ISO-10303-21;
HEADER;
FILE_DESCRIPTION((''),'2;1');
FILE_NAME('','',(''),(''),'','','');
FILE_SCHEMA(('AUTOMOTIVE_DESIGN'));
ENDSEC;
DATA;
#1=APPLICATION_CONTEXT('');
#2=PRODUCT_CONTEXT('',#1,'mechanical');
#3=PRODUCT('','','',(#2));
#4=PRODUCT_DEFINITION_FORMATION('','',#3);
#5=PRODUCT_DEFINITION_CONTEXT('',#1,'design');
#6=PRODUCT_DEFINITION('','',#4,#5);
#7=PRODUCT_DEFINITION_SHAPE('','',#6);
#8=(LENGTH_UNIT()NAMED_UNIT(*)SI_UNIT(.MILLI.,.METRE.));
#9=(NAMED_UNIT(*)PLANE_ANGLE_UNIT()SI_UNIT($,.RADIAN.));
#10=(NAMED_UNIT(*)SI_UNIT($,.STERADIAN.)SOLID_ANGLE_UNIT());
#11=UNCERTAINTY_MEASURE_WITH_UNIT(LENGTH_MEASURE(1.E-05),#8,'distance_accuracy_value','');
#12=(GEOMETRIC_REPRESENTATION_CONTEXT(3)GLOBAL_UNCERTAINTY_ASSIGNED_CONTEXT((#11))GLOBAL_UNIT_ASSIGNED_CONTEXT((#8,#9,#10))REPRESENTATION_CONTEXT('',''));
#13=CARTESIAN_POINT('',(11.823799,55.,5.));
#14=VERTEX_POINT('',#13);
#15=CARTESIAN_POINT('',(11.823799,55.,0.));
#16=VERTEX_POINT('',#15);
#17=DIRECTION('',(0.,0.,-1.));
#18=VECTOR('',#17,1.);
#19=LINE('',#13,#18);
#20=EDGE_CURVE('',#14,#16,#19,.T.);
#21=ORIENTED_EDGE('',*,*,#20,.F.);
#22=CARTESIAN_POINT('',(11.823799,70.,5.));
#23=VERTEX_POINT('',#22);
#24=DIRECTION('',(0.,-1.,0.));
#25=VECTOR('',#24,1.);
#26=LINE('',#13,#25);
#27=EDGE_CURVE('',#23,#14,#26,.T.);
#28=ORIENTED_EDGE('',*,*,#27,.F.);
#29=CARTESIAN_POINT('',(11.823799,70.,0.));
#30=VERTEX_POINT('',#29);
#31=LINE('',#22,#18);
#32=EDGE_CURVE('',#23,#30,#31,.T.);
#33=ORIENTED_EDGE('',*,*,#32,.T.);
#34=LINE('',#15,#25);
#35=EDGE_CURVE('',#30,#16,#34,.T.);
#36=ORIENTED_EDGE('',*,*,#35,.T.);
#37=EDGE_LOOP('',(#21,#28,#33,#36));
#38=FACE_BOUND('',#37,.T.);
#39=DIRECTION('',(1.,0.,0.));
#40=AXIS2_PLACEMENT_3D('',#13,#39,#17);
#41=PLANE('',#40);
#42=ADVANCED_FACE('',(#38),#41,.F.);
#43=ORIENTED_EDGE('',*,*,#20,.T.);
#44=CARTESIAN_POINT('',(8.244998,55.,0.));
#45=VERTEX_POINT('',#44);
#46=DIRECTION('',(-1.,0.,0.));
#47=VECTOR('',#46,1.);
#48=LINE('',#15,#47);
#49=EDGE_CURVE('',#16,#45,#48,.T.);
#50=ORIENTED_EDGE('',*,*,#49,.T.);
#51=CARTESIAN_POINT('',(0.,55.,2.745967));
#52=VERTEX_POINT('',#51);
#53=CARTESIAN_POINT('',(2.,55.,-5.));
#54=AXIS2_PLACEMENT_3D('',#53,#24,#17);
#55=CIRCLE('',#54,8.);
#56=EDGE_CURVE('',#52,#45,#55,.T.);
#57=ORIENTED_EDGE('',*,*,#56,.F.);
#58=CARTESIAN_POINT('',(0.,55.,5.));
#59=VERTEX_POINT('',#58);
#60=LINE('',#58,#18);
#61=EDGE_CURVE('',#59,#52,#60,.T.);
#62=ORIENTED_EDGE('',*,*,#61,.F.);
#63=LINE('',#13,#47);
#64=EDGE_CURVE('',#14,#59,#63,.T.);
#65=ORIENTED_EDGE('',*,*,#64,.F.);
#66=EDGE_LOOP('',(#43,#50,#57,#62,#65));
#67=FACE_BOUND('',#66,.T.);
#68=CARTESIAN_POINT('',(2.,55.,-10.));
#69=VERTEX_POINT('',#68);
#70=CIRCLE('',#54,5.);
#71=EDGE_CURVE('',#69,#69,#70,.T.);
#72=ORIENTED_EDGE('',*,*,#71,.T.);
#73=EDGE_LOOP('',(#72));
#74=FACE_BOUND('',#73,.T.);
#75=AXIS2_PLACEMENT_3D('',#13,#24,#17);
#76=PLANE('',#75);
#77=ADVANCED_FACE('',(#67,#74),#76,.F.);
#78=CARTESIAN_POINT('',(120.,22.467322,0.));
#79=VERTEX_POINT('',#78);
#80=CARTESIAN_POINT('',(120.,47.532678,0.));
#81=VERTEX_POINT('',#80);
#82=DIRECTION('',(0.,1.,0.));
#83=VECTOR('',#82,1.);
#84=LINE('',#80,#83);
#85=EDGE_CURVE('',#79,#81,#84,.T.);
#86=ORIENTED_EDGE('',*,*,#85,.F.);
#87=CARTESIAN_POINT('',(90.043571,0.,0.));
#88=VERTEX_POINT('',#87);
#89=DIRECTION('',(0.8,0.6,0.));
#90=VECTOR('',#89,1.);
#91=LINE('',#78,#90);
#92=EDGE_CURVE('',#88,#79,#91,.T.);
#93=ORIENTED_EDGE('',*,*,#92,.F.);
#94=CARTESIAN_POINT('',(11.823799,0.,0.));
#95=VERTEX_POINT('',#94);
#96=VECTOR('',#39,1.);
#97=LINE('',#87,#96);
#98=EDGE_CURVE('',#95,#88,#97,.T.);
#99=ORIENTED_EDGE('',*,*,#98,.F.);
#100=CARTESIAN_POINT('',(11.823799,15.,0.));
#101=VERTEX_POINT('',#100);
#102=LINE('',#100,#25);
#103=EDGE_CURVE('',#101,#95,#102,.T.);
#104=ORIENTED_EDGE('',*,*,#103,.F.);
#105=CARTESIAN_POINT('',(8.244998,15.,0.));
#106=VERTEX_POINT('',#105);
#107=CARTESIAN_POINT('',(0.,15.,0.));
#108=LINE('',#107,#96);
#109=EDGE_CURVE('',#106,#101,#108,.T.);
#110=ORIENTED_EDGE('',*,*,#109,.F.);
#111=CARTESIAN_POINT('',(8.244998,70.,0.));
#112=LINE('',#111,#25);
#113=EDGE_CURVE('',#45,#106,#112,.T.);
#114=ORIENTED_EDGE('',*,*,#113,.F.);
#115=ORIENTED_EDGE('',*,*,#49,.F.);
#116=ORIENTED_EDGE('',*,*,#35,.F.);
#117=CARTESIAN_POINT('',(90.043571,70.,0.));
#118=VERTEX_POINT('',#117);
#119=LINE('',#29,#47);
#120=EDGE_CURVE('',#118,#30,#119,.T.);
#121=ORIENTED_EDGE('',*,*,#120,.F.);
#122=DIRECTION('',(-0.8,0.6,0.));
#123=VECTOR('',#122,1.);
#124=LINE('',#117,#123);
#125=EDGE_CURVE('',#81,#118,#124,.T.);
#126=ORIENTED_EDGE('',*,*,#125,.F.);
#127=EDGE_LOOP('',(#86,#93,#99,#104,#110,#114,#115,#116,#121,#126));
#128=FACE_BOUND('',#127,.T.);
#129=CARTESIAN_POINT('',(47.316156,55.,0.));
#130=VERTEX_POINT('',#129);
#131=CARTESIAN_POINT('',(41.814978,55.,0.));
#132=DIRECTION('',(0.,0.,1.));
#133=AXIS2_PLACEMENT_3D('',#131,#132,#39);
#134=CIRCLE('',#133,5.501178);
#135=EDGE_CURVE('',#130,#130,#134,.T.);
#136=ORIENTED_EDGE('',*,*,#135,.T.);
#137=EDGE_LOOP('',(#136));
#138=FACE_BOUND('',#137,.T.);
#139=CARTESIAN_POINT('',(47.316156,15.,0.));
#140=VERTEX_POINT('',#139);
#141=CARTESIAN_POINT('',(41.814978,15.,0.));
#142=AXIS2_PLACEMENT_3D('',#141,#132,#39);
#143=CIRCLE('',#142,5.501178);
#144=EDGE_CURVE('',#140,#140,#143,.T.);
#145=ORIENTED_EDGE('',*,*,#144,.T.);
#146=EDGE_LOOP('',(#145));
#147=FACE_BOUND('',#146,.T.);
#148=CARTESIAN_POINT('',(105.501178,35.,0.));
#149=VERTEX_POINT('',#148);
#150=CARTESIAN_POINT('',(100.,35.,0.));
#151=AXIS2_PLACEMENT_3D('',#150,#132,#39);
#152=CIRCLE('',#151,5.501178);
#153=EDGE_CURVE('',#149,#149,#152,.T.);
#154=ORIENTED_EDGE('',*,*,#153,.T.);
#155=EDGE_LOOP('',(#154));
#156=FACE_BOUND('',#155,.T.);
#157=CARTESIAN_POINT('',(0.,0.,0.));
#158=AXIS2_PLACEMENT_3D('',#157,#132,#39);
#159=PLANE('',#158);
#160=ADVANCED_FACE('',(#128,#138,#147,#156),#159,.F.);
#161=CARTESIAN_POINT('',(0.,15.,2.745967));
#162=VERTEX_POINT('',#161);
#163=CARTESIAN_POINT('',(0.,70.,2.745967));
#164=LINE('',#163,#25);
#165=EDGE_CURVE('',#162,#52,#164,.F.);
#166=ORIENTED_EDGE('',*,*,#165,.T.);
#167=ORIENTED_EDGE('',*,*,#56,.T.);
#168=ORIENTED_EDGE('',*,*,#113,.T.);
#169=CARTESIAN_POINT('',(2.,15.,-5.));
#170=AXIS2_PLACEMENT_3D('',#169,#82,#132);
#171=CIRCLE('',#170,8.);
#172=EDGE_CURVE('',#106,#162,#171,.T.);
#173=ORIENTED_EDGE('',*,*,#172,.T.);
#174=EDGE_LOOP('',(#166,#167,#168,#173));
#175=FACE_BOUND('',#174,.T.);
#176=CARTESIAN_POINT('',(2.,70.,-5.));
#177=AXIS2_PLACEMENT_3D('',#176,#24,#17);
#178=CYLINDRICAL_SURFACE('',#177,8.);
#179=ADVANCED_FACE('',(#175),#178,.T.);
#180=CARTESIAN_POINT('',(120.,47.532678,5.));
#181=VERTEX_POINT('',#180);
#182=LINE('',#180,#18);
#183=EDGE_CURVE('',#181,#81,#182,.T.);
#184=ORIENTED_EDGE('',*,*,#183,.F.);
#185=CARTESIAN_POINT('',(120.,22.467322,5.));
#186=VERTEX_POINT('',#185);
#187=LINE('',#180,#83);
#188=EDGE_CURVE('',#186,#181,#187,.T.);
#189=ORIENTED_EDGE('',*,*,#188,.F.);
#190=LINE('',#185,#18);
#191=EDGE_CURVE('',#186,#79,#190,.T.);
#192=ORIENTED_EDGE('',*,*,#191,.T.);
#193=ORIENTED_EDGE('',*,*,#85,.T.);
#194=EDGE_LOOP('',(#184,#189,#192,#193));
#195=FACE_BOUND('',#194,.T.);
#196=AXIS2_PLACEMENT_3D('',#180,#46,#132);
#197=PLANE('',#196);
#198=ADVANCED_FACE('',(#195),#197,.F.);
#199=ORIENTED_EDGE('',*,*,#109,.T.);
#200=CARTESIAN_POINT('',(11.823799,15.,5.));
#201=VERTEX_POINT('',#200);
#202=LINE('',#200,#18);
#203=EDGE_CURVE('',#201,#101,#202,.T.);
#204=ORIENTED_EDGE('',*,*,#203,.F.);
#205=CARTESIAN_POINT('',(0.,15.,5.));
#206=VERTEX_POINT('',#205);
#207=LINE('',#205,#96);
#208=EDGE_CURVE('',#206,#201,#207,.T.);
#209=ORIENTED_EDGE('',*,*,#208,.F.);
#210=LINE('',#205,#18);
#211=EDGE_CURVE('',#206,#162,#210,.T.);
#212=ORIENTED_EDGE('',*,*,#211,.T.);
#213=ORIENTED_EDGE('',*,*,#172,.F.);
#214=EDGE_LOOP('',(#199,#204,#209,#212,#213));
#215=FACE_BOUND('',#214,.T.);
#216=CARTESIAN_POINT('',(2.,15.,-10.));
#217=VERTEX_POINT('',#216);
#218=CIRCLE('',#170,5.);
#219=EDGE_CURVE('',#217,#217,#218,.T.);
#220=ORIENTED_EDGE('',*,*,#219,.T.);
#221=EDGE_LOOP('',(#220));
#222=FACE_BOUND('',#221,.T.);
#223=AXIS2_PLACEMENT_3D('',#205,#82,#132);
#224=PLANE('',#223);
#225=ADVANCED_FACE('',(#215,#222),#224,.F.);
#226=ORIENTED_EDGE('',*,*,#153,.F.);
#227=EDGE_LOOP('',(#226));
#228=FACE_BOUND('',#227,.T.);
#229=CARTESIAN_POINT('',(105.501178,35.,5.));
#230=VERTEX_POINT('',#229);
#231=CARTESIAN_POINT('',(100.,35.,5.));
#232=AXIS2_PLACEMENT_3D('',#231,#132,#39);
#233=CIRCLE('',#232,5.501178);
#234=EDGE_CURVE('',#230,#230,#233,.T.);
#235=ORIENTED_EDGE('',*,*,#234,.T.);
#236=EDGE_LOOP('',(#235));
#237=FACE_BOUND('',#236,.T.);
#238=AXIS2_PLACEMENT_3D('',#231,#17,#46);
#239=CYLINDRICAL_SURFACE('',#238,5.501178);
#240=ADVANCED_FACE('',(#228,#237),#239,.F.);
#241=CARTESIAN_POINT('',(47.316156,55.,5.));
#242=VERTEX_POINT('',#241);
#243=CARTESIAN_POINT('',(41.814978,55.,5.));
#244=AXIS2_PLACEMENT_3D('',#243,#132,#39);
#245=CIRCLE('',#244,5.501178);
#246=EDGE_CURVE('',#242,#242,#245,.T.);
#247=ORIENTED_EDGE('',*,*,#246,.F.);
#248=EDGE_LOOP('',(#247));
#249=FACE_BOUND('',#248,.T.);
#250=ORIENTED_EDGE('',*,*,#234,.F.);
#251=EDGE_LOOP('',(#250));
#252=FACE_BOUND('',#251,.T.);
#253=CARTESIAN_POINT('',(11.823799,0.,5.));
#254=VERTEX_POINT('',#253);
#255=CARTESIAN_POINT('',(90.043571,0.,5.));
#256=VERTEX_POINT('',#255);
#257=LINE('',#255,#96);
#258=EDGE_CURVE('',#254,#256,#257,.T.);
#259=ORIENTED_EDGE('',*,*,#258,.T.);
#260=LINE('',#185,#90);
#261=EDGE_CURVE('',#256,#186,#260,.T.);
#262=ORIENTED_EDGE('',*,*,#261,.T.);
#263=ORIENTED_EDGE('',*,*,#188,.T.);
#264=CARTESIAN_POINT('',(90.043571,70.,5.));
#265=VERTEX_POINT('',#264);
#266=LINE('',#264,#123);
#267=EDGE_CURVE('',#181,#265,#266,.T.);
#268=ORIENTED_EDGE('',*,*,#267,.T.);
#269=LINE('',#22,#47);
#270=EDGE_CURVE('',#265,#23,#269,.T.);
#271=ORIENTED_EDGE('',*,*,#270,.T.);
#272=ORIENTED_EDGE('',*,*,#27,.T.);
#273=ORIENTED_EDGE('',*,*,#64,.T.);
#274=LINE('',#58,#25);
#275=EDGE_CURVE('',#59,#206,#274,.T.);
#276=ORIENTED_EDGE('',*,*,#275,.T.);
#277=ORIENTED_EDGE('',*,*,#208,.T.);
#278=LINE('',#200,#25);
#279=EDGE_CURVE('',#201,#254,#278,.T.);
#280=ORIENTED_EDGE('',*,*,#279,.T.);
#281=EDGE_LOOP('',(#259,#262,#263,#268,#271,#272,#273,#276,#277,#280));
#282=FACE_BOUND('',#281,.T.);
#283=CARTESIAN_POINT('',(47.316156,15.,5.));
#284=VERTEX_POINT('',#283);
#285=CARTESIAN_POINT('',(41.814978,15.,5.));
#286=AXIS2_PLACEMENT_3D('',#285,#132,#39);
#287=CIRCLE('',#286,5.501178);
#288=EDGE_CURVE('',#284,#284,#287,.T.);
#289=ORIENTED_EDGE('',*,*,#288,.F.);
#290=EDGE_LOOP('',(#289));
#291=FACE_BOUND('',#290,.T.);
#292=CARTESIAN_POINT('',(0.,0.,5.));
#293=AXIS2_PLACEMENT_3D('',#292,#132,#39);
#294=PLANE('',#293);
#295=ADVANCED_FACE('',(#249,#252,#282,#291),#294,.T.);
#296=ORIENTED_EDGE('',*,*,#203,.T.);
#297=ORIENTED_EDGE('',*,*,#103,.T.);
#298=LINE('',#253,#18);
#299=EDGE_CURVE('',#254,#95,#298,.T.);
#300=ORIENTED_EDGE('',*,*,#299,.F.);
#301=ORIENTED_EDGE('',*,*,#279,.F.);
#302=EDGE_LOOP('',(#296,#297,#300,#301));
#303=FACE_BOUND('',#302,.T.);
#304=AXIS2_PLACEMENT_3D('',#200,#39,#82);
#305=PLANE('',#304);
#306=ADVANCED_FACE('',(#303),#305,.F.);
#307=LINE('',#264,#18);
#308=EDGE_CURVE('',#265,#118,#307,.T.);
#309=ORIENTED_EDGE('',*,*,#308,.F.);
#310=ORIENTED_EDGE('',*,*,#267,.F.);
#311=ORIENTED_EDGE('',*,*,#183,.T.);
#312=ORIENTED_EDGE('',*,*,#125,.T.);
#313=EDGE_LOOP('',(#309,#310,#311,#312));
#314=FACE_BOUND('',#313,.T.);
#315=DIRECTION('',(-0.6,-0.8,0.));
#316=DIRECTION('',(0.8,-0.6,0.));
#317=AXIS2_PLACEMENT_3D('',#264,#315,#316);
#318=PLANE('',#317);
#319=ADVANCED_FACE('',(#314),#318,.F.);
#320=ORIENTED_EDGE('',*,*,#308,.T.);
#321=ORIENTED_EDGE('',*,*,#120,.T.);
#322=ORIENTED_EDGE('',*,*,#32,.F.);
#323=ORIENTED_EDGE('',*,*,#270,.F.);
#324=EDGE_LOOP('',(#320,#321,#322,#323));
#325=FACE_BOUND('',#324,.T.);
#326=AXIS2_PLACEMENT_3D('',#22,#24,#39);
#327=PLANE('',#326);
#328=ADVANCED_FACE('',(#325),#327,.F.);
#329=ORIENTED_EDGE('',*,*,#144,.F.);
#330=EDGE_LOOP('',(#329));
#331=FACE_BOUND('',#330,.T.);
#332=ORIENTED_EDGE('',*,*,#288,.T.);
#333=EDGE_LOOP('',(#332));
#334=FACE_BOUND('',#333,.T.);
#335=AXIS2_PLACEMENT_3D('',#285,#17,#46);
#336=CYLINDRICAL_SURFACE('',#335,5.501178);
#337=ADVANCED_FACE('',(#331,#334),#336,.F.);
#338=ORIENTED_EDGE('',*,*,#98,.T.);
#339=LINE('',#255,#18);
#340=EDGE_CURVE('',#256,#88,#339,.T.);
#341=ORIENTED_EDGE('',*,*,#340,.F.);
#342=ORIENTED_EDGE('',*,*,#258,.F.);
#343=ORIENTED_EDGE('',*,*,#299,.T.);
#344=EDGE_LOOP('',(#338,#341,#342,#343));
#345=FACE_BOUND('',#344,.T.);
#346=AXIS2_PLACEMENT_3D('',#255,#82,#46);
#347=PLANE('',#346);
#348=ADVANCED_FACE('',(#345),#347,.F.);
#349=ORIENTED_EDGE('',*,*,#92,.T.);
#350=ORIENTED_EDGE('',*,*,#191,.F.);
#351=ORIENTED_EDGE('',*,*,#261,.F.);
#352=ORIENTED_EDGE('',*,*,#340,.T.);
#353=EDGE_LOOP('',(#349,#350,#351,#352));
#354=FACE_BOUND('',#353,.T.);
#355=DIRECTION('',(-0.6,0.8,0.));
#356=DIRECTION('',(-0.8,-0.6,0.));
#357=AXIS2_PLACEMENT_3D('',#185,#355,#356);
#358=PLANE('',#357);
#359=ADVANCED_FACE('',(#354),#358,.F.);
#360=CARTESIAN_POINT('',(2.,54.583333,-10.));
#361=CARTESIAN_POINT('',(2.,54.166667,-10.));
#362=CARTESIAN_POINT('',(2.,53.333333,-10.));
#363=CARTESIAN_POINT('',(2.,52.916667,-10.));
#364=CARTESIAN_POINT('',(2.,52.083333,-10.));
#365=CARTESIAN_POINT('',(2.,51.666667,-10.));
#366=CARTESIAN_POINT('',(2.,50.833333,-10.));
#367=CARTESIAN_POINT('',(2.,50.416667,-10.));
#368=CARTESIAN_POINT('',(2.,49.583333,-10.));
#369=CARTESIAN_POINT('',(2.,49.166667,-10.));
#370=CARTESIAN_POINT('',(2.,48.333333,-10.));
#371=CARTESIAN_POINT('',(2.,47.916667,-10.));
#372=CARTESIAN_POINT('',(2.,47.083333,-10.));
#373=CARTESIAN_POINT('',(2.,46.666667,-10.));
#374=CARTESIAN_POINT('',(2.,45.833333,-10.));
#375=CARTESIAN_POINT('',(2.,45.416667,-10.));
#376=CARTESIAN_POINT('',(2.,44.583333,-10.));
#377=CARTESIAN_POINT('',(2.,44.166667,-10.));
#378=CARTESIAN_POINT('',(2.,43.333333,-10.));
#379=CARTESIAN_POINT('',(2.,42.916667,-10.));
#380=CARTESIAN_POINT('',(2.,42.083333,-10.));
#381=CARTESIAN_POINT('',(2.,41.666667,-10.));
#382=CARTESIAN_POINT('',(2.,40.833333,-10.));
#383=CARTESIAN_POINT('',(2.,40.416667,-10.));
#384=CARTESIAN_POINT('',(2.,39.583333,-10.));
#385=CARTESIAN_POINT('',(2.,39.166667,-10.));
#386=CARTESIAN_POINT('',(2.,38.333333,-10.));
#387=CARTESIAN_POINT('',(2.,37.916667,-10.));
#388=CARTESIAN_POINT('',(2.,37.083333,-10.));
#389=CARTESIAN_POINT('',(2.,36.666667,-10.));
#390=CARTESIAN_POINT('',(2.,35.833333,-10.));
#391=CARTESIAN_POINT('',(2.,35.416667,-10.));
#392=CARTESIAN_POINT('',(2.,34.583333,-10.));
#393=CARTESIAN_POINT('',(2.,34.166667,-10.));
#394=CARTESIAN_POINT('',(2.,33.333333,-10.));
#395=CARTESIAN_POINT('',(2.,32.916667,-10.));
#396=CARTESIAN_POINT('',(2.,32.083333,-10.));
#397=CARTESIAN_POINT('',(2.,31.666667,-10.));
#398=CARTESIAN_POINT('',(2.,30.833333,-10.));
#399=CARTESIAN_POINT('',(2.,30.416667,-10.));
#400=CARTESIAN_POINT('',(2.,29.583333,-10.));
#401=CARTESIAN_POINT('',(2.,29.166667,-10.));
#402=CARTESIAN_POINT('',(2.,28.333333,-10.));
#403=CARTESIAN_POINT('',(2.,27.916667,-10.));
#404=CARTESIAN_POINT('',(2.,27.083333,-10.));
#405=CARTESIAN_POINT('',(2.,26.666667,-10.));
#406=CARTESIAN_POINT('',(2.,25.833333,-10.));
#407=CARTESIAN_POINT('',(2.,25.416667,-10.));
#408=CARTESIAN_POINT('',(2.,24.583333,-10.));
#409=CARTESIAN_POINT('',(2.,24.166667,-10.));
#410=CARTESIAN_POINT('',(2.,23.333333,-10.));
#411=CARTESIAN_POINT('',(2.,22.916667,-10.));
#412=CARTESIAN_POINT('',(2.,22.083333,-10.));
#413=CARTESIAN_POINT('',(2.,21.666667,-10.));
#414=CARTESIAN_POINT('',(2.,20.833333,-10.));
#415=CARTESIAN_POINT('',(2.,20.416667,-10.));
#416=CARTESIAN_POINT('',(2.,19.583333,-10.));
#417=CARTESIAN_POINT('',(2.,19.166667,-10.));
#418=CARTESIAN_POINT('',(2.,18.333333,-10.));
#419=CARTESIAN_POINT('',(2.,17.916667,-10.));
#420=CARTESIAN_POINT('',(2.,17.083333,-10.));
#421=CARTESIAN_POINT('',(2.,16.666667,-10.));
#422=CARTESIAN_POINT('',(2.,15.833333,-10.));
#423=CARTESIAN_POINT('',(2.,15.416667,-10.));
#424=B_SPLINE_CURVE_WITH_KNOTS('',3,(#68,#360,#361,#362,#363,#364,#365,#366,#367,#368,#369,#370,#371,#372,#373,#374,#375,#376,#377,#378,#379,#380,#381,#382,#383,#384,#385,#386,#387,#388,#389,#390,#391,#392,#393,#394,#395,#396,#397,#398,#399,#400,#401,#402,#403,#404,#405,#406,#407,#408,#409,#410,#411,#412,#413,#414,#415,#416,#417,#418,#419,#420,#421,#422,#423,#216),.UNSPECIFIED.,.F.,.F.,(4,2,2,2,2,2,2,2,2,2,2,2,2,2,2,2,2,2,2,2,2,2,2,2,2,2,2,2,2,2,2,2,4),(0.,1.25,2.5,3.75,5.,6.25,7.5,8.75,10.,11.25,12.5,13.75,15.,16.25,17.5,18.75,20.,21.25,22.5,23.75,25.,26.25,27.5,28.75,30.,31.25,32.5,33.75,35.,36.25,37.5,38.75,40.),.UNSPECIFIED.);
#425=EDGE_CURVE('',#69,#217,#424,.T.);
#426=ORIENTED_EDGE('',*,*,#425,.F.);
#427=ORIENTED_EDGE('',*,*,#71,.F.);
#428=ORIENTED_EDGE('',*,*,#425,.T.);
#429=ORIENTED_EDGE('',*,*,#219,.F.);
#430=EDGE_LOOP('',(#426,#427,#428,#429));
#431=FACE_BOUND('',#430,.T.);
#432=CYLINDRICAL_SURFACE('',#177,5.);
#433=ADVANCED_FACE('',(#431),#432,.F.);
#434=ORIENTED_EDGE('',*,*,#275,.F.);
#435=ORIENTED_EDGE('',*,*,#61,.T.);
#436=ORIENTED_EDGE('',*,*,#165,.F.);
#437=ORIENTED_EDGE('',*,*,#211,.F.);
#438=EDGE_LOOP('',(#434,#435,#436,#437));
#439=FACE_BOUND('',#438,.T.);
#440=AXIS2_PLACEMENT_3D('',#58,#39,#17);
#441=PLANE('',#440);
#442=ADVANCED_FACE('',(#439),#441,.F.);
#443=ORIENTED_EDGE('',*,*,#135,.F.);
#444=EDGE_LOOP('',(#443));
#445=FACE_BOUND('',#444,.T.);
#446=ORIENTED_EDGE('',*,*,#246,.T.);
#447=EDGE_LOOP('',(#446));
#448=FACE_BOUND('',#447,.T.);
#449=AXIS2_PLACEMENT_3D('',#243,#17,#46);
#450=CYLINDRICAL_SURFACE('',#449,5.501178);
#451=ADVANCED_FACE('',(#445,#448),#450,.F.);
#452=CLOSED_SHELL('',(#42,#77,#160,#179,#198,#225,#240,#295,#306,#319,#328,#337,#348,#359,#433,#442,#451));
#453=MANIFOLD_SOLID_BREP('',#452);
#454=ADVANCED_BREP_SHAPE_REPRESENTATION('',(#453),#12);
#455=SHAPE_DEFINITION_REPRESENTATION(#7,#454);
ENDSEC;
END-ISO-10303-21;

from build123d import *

# Parameters (mm, degrees)
SKETCH1_R               = 5.501178274
BOSS_EXTRUDE1_DEPTH     = 5
SKETCH2_R               = 8
SKETCH2_R_2             = 5
BOSS_EXTRUDE2_DEPTH     = 70
CUT_EXTRUDE2_DEPTH      = 140.531358483
CUT_EXTRUDE2_DEPTH_BACK = 140.531358483
SKETCH4_W               = 17.823798536
SKETCH4_H               = 15


with BuildPart() as part:
    # Sketch1 → Boss-Extrude1 (new body)
    with BuildSketch(Plane.XY):
        Polygon((0, 15), (11.823798536, 15), (11.823798536, 0), (90.043570566, 0), (120, 22.467322075), (120, 47.532677925), (90.043570566, 70), (11.823798536, 70), (11.823798536, 55), (0, 55), align=None)
        with Locations((41.814977969, 55)):
            Circle(SKETCH1_R, mode=Mode.SUBTRACT)
        with Locations((41.814977969, 15)):
            Circle(SKETCH1_R, mode=Mode.SUBTRACT)
        with Locations((100, 35)):
            Circle(SKETCH1_R, mode=Mode.SUBTRACT)
    extrude(amount=BOSS_EXTRUDE1_DEPTH)

    # Sketch2 → Boss-Extrude2 (add)
    with BuildSketch(Plane(origin=(0, 0, 0), x_dir=(1, 0, 0), z_dir=(0, 1, 0))):
        with Locations(Location((2, 5, 0), (0, 0, 270))):
            Circle(SKETCH2_R)
        with Locations(Location((2, 5, 0), (0, 0, 270))):
            Circle(SKETCH2_R_2, mode=Mode.SUBTRACT)
    extrude(amount=BOSS_EXTRUDE2_DEPTH)

    # Sketch4 → Cut-Extrude2 (cut, two sides: drawn at the far end of the back side and taken through both)
    with BuildSketch(Plane.XY.offset(-CUT_EXTRUDE2_DEPTH_BACK)):
        with Locations((2.911899268, 62.5)):
            Rectangle(SKETCH4_W, SKETCH4_H)
        with Locations((2.911899268, 7.5)):
            Rectangle(SKETCH4_W, SKETCH4_H)
    extrude(amount=CUT_EXTRUDE2_DEPTH + CUT_EXTRUDE2_DEPTH_BACK, mode=Mode.SUBTRACT)


solid = part.part
